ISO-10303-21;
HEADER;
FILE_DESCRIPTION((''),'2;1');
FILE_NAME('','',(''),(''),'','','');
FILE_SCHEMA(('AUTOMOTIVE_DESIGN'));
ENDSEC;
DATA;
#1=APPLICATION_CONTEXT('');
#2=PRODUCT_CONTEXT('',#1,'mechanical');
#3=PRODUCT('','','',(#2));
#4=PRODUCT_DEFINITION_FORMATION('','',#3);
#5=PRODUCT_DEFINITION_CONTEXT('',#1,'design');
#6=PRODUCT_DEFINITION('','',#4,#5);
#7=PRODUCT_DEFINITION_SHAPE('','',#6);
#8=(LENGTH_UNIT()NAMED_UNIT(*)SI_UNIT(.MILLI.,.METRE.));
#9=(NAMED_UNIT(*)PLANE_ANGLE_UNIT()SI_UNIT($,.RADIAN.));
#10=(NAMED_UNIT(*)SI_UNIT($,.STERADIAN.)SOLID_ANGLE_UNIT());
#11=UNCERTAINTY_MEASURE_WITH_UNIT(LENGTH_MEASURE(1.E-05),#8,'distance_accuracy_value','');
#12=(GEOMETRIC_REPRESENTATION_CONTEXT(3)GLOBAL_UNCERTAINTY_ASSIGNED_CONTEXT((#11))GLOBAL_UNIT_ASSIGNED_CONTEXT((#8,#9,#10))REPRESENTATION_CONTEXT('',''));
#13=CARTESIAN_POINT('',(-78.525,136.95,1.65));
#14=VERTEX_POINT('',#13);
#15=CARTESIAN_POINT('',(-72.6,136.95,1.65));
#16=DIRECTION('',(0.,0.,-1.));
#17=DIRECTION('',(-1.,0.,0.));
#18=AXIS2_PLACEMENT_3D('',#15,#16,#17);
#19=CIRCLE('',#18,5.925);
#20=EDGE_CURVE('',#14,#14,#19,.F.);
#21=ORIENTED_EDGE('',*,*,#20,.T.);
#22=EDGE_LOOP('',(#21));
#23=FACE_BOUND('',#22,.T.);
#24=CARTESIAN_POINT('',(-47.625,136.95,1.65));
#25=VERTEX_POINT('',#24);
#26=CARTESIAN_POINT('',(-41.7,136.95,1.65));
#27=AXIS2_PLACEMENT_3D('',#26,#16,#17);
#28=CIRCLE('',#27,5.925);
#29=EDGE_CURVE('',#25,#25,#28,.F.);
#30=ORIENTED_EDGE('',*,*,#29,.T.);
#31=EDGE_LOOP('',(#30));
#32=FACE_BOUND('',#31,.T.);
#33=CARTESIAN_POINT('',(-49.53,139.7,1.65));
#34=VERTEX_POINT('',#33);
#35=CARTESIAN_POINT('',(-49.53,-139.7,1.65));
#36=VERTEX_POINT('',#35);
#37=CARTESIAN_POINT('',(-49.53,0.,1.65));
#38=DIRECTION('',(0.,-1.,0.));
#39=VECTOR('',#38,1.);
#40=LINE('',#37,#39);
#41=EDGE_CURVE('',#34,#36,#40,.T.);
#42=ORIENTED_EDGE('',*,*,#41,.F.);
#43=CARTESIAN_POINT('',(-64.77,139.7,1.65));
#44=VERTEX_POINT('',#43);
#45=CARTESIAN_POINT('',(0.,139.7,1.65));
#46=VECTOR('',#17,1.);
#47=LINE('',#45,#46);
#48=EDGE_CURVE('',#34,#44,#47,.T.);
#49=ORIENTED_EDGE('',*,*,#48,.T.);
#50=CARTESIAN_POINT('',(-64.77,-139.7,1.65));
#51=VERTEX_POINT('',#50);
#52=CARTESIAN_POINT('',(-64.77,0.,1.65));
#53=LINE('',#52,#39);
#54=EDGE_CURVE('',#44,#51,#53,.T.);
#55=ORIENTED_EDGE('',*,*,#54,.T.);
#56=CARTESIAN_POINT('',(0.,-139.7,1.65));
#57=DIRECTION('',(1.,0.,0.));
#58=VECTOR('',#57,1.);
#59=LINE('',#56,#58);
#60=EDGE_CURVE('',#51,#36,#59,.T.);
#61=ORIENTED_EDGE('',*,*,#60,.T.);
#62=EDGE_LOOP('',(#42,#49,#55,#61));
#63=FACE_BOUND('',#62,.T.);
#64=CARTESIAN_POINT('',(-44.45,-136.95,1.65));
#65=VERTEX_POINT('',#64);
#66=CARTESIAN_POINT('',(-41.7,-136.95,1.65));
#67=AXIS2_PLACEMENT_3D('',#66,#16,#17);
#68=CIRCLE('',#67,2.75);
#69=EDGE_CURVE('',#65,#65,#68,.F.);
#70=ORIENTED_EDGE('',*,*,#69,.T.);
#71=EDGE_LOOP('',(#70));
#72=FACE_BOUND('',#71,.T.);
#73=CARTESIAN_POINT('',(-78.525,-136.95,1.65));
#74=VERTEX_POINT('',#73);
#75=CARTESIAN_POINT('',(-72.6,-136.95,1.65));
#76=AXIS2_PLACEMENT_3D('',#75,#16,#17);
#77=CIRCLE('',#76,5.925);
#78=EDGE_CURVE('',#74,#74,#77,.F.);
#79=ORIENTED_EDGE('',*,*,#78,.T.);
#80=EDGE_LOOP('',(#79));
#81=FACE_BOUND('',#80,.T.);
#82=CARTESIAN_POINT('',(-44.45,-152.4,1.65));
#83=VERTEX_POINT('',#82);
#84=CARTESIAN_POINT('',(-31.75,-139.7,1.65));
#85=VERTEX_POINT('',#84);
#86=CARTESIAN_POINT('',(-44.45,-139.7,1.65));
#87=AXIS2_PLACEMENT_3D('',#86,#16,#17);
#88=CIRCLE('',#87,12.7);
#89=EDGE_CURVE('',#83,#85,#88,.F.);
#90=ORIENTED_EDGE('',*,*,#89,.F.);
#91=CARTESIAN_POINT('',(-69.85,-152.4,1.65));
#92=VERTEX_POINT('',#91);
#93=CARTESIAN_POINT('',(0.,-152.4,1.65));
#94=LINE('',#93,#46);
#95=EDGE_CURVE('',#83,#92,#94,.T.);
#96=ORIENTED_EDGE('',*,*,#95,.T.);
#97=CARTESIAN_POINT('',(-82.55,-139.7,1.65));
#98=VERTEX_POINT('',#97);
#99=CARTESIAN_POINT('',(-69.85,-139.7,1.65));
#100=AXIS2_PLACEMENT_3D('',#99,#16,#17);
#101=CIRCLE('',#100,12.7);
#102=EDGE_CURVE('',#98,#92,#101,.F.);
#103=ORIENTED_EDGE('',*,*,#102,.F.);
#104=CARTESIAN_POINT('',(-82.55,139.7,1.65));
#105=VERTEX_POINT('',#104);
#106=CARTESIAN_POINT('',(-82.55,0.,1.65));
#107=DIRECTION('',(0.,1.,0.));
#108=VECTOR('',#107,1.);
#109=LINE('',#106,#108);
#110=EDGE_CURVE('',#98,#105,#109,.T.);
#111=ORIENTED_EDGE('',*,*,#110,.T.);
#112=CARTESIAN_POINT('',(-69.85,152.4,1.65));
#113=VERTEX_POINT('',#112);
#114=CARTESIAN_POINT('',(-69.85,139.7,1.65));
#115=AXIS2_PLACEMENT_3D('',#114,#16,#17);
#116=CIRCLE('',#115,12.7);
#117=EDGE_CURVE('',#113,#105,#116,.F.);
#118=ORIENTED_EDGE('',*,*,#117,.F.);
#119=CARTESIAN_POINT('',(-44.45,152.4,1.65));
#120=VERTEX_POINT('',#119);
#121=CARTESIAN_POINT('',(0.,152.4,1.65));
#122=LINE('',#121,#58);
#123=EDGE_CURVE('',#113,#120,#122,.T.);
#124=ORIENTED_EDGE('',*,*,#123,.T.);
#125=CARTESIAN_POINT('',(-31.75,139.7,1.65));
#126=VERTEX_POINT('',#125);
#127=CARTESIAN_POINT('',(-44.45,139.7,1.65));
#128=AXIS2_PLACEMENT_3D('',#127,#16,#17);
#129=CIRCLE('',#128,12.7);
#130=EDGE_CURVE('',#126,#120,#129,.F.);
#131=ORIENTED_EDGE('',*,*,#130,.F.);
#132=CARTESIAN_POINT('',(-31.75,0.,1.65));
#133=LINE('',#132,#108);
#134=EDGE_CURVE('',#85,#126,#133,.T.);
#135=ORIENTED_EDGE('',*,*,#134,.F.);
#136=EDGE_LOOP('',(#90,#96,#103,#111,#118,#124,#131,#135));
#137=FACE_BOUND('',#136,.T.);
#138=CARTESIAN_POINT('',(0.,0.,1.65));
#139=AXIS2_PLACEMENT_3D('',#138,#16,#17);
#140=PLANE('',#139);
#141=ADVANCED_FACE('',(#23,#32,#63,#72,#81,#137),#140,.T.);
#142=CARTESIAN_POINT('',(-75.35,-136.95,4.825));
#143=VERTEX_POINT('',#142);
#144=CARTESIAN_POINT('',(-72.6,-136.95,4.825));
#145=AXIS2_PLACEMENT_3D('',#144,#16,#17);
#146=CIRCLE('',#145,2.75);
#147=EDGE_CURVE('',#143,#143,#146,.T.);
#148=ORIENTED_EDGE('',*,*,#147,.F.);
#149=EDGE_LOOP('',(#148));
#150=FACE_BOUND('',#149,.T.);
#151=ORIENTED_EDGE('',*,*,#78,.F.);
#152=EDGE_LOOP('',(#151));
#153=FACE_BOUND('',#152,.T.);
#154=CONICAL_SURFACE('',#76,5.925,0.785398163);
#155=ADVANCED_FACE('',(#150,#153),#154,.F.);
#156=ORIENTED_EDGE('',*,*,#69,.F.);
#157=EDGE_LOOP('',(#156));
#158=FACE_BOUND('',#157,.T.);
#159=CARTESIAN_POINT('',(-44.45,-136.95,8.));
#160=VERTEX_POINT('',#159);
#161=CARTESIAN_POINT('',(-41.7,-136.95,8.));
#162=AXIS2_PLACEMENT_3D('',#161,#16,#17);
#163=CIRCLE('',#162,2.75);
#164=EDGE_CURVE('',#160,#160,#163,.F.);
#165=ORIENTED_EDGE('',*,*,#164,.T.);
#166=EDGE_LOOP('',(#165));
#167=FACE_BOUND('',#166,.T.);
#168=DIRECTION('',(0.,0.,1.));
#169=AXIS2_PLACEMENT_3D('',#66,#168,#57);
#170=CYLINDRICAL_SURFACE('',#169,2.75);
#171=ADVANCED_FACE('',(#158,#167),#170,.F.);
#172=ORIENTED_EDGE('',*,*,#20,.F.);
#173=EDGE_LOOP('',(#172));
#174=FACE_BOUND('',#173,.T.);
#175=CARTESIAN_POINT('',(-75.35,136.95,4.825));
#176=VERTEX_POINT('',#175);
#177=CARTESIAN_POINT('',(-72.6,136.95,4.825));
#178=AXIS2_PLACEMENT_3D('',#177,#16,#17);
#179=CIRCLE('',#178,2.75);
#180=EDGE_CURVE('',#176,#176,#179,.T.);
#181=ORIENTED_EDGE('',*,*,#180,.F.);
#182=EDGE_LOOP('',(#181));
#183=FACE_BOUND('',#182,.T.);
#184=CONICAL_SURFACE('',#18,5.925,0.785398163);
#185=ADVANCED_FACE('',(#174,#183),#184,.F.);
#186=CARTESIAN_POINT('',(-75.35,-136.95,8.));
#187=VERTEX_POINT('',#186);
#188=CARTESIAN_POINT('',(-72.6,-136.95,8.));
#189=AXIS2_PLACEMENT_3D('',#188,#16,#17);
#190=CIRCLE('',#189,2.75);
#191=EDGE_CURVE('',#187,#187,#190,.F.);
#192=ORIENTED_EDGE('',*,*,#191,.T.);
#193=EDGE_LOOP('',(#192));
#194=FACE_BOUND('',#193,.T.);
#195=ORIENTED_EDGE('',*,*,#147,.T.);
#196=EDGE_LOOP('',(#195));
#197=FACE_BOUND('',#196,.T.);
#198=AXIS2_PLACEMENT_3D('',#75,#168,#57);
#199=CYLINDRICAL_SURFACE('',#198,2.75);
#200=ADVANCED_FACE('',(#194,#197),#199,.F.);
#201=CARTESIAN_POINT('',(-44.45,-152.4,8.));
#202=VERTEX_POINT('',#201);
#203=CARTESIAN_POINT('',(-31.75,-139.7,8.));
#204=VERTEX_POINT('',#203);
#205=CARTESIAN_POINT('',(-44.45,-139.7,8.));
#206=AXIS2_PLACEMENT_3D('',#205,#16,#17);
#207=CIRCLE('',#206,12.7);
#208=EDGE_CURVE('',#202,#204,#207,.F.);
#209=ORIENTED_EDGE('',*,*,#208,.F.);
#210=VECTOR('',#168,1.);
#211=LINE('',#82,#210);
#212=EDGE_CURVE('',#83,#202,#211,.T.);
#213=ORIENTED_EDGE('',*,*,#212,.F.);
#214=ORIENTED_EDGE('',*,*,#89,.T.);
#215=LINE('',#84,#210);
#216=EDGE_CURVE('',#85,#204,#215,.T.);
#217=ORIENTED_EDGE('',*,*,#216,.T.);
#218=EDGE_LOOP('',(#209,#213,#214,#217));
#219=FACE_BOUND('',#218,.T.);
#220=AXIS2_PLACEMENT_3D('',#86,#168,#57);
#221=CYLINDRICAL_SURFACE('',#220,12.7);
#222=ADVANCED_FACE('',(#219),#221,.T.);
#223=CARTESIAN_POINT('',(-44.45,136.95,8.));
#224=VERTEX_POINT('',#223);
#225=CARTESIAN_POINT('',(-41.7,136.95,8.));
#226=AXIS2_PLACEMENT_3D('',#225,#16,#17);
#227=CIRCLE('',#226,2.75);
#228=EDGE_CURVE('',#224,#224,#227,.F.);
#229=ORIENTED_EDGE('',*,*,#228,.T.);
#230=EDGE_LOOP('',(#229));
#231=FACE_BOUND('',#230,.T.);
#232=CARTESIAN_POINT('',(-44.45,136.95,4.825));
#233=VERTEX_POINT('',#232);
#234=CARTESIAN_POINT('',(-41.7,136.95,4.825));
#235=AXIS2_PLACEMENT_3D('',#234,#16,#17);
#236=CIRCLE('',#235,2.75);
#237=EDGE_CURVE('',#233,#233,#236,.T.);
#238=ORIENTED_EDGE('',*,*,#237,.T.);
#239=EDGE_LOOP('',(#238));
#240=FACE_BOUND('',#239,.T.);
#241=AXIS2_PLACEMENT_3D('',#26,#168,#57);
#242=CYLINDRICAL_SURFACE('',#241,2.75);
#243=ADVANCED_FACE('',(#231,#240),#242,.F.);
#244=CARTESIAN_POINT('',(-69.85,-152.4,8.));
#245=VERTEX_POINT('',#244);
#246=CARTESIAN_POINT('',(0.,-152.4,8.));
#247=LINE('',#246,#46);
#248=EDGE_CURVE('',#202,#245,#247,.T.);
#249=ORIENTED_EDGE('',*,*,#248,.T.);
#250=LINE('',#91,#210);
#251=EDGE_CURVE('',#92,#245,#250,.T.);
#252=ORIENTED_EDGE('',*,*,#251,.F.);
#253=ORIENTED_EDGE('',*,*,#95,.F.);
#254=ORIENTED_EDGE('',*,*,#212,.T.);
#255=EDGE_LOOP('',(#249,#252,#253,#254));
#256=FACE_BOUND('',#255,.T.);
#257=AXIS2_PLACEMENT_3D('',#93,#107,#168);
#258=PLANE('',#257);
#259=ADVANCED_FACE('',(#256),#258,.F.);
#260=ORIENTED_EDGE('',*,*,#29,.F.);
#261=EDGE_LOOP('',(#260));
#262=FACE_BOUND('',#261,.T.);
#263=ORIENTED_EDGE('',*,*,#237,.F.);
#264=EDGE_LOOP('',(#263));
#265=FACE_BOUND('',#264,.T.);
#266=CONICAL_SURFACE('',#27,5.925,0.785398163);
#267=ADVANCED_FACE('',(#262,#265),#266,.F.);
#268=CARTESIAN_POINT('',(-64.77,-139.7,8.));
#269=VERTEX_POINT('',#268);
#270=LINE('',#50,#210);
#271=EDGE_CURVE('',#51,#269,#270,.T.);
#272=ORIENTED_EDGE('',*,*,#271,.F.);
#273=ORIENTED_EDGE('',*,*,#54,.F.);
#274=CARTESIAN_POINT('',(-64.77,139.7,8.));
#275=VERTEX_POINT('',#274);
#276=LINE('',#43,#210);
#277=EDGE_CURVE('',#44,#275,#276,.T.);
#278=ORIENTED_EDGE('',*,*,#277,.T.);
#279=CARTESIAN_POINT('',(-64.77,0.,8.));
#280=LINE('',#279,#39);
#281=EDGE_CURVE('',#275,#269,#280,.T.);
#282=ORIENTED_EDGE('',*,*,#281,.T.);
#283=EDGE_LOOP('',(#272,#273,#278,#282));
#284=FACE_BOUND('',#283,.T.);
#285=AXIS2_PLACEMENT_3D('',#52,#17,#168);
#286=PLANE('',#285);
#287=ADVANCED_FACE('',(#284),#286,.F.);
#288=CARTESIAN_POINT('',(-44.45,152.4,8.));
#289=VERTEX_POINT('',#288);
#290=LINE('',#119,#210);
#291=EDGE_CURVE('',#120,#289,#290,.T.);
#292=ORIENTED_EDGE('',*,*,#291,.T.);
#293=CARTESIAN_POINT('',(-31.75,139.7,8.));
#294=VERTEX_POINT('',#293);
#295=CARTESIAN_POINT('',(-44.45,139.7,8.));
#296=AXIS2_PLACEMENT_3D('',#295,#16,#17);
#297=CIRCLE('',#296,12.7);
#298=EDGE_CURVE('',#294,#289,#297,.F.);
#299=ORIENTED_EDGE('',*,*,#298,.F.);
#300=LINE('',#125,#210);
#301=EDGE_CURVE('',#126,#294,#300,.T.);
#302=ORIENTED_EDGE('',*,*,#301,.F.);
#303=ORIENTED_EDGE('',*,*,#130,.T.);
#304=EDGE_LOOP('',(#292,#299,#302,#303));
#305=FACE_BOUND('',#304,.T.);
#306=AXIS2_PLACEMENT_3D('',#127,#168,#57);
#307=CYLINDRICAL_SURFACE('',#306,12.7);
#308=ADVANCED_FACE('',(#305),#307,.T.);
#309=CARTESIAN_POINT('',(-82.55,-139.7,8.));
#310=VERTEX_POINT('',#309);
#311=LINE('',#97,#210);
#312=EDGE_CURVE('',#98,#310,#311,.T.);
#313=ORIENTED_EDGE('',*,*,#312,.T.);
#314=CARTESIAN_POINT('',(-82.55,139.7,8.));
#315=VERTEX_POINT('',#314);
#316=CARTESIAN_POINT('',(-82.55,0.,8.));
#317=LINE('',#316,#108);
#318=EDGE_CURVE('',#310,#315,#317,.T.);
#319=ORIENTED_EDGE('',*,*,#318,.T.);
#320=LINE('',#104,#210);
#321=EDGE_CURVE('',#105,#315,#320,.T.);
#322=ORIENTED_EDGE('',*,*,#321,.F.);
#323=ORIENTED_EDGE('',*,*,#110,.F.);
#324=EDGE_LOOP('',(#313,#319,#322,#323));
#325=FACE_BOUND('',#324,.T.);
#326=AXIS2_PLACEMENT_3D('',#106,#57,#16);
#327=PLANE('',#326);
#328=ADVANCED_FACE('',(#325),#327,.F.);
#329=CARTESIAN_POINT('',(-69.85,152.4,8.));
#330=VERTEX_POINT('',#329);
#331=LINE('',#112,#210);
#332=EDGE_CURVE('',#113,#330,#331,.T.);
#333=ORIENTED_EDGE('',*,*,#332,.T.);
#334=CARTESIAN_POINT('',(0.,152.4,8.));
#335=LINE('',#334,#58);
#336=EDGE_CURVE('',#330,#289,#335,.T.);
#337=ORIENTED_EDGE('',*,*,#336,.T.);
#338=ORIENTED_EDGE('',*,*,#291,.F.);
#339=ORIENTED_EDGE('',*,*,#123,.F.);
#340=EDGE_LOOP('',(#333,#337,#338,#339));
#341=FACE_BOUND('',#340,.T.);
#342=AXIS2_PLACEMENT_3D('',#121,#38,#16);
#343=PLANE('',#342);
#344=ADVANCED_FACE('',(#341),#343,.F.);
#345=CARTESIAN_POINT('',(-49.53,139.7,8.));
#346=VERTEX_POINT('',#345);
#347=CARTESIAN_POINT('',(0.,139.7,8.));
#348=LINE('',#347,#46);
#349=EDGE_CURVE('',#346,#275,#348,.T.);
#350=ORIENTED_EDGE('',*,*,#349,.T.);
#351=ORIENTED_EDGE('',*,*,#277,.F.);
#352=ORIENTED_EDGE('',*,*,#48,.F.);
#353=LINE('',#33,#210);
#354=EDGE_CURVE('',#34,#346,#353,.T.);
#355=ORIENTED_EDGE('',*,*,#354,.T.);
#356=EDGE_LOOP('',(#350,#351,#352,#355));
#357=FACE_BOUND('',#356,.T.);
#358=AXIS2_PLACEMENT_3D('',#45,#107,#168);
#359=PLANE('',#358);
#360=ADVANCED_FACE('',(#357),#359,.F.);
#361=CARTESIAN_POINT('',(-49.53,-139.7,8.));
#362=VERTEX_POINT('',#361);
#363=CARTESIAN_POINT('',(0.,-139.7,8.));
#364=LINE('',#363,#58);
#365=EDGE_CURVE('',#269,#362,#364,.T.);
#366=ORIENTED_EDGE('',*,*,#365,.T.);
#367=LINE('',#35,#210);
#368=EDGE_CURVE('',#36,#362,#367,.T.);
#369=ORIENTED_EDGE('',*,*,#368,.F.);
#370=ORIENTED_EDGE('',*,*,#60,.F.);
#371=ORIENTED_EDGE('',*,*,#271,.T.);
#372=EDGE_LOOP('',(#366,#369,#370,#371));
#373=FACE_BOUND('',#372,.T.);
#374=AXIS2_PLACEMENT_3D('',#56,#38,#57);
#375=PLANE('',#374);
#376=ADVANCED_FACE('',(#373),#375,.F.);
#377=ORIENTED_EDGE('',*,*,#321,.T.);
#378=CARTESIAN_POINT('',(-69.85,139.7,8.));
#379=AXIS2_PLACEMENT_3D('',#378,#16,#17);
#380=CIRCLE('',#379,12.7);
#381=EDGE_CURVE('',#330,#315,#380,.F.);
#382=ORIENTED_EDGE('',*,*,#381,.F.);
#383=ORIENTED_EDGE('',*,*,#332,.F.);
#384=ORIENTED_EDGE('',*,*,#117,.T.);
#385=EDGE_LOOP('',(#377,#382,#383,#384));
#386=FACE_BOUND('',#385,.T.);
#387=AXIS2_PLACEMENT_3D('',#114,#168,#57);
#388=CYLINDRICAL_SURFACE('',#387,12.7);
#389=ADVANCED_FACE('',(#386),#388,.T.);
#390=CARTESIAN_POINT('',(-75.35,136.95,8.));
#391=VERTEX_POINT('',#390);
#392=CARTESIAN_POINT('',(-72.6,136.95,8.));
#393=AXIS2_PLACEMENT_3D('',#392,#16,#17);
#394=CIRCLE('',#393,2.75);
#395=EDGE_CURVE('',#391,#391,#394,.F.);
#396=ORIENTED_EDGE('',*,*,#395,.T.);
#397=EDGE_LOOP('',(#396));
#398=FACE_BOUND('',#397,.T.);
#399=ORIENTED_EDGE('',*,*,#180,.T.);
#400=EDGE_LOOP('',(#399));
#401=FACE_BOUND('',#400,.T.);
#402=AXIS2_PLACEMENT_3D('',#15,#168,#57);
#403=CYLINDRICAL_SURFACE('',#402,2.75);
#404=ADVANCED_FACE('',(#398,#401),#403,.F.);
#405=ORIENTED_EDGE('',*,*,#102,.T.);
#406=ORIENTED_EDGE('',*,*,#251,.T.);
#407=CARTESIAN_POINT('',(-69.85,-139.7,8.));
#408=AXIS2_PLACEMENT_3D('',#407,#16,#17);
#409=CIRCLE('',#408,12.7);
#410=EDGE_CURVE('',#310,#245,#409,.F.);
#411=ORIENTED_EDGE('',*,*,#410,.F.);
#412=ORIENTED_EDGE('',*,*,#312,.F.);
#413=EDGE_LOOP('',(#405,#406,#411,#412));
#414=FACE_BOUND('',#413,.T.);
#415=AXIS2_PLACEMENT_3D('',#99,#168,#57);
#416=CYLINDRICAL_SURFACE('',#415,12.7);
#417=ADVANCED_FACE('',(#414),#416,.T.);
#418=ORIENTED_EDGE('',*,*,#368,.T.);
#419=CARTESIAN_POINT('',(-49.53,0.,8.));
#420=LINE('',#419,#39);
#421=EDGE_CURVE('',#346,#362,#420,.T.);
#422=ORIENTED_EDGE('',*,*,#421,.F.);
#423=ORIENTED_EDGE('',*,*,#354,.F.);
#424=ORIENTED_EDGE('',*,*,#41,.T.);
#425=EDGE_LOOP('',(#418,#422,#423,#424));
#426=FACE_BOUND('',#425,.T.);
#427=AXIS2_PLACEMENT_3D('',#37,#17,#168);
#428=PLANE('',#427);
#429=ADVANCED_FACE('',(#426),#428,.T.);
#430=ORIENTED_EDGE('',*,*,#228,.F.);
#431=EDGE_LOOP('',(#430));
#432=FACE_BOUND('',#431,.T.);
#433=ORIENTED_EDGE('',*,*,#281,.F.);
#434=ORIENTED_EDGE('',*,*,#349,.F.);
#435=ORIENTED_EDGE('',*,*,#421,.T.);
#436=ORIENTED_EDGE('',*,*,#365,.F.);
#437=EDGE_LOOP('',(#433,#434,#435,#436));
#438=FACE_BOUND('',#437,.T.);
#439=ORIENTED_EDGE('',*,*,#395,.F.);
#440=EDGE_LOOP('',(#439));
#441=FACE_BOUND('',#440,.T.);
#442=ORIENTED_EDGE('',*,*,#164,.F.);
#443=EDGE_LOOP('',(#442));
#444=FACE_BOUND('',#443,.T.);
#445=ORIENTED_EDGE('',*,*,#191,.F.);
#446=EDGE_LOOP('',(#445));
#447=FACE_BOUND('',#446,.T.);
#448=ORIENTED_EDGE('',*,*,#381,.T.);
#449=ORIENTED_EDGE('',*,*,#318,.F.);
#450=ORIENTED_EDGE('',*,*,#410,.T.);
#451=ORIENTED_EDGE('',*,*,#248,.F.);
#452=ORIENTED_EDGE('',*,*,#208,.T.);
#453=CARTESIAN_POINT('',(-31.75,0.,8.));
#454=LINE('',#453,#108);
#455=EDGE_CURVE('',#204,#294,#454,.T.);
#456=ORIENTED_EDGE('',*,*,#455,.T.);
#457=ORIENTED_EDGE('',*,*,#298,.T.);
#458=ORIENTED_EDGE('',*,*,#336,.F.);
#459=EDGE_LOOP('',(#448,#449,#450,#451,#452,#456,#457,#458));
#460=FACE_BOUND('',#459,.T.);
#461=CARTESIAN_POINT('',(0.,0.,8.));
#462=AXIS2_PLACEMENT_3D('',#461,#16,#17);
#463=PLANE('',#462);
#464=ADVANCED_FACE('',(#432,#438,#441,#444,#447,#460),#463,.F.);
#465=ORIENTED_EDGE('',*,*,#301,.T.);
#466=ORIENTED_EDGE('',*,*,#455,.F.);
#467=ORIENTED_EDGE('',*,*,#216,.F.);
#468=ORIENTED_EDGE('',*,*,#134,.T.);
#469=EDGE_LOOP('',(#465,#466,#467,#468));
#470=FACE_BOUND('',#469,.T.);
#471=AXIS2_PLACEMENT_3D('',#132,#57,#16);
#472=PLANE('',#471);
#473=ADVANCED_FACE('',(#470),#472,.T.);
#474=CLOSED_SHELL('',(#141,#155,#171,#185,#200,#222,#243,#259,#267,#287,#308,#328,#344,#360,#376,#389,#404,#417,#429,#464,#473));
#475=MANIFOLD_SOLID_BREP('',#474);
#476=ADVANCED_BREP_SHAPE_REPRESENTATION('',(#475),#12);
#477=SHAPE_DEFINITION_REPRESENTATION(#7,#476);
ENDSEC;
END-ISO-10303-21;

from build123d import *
from build123d.topology import SkipClean

# Parameters (mm, degrees)
SKETCH1_W           = 15.24
SKETCH1_H           = 279.4
BOSS_EXTRUDE3_DEPTH = 6.35
SKETCH2_R           = 2.75
CUT_EXTRUDE1_DEPTH  = 174.437553604
CHAMFER1_SIZE       = 3.175


with BuildPart() as part:
    # Sketch1 → Boss-Extrude3 (new body)
    with BuildSketch(Plane.XY.offset(8)):
        with BuildLine():
            Line((-69.85, -152.4), (-44.45, -152.4))
            ThreePointArc((-44.45, -152.4), (-35.469743879, -148.680256121), (-31.75, -139.7))
            Line((-31.75, -139.7), (-31.75, 139.7))
            ThreePointArc((-31.75, 139.7), (-35.469743879, 148.680256121), (-44.45, 152.4))
            Line((-44.45, 152.4), (-69.85, 152.4))
            ThreePointArc((-69.85, 152.4), (-78.830256121, 148.680256121), (-82.55, 139.7))
            Line((-82.55, 139.7), (-82.55, -139.7))
            ThreePointArc((-82.55, -139.7), (-78.830256121, -148.680256121), (-69.85, -152.4))
        make_face()
        with Locations((-57.15, 0)):
            Rectangle(SKETCH1_W, SKETCH1_H, mode=Mode.SUBTRACT)
        with BuildLine():
            ThreePointArc((-44.45, -136.95), (-39.755456352, -135.005456352), (-41.7, -139.7))
            ThreePointArc((-41.7, -139.7), (-42.505456352, -137.755456352), (-44.45, -136.95))
        make_face(mode=Mode.SUBTRACT)
        with BuildLine():
            ThreePointArc((-72.6, -139.7), (-74.544543648, -135.005456352), (-69.85, -136.95))
            ThreePointArc((-69.85, -136.95), (-71.794543648, -137.755456352), (-72.6, -139.7))
        make_face(mode=Mode.SUBTRACT)
        with BuildLine():
            ThreePointArc((-41.7, 139.7), (-39.755456352, 135.005456352), (-44.45, 136.95))
            ThreePointArc((-44.45, 136.95), (-42.505456352, 137.755456352), (-41.7, 139.7))
        make_face(mode=Mode.SUBTRACT)
        with BuildLine():
            ThreePointArc((-69.85, 136.95), (-74.544543648, 135.005456352), (-72.6, 139.7))
            ThreePointArc((-72.6, 139.7), (-71.794543648, 137.755456352), (-69.85, 136.95))
        make_face(mode=Mode.SUBTRACT)
    extrude(amount=-BOSS_EXTRUDE3_DEPTH)

    # Sketch2 → Cut-Extrude1 (cut, through all)
    with SkipClean():  # the faces are left unmerged after this step: merging them gives an invalid solid
        with BuildSketch(Plane.XY.offset(8)):
            with Locations(Location((-41.7, 136.95, 0), (0, 0, 180))):
                Circle(SKETCH2_R)
            with Locations(Location((-72.6, 136.95, 0), (0, 0, 180))):
                Circle(SKETCH2_R)
            with Locations(Location((-41.7, -136.95, 0), (0, 0, 180))):
                Circle(SKETCH2_R)
            with Locations(Location((-72.6, -136.95, 0), (0, 0, 180))):
                Circle(SKETCH2_R)
        extrude(amount=-CUT_EXTRUDE1_DEPTH, mode=Mode.SUBTRACT)

    # Chamfer1
    chamfer1_edges = [part.edges().sort_by_distance(p)[0] for p in [
        (-39.755456352, 135.005456352, 1.65),
        (-72.6, 134.2, 1.65),
        (-72.6, -134.2, 1.65),
    ]]
    chamfer(chamfer1_edges, length=CHAMFER1_SIZE)


solid = part.part
